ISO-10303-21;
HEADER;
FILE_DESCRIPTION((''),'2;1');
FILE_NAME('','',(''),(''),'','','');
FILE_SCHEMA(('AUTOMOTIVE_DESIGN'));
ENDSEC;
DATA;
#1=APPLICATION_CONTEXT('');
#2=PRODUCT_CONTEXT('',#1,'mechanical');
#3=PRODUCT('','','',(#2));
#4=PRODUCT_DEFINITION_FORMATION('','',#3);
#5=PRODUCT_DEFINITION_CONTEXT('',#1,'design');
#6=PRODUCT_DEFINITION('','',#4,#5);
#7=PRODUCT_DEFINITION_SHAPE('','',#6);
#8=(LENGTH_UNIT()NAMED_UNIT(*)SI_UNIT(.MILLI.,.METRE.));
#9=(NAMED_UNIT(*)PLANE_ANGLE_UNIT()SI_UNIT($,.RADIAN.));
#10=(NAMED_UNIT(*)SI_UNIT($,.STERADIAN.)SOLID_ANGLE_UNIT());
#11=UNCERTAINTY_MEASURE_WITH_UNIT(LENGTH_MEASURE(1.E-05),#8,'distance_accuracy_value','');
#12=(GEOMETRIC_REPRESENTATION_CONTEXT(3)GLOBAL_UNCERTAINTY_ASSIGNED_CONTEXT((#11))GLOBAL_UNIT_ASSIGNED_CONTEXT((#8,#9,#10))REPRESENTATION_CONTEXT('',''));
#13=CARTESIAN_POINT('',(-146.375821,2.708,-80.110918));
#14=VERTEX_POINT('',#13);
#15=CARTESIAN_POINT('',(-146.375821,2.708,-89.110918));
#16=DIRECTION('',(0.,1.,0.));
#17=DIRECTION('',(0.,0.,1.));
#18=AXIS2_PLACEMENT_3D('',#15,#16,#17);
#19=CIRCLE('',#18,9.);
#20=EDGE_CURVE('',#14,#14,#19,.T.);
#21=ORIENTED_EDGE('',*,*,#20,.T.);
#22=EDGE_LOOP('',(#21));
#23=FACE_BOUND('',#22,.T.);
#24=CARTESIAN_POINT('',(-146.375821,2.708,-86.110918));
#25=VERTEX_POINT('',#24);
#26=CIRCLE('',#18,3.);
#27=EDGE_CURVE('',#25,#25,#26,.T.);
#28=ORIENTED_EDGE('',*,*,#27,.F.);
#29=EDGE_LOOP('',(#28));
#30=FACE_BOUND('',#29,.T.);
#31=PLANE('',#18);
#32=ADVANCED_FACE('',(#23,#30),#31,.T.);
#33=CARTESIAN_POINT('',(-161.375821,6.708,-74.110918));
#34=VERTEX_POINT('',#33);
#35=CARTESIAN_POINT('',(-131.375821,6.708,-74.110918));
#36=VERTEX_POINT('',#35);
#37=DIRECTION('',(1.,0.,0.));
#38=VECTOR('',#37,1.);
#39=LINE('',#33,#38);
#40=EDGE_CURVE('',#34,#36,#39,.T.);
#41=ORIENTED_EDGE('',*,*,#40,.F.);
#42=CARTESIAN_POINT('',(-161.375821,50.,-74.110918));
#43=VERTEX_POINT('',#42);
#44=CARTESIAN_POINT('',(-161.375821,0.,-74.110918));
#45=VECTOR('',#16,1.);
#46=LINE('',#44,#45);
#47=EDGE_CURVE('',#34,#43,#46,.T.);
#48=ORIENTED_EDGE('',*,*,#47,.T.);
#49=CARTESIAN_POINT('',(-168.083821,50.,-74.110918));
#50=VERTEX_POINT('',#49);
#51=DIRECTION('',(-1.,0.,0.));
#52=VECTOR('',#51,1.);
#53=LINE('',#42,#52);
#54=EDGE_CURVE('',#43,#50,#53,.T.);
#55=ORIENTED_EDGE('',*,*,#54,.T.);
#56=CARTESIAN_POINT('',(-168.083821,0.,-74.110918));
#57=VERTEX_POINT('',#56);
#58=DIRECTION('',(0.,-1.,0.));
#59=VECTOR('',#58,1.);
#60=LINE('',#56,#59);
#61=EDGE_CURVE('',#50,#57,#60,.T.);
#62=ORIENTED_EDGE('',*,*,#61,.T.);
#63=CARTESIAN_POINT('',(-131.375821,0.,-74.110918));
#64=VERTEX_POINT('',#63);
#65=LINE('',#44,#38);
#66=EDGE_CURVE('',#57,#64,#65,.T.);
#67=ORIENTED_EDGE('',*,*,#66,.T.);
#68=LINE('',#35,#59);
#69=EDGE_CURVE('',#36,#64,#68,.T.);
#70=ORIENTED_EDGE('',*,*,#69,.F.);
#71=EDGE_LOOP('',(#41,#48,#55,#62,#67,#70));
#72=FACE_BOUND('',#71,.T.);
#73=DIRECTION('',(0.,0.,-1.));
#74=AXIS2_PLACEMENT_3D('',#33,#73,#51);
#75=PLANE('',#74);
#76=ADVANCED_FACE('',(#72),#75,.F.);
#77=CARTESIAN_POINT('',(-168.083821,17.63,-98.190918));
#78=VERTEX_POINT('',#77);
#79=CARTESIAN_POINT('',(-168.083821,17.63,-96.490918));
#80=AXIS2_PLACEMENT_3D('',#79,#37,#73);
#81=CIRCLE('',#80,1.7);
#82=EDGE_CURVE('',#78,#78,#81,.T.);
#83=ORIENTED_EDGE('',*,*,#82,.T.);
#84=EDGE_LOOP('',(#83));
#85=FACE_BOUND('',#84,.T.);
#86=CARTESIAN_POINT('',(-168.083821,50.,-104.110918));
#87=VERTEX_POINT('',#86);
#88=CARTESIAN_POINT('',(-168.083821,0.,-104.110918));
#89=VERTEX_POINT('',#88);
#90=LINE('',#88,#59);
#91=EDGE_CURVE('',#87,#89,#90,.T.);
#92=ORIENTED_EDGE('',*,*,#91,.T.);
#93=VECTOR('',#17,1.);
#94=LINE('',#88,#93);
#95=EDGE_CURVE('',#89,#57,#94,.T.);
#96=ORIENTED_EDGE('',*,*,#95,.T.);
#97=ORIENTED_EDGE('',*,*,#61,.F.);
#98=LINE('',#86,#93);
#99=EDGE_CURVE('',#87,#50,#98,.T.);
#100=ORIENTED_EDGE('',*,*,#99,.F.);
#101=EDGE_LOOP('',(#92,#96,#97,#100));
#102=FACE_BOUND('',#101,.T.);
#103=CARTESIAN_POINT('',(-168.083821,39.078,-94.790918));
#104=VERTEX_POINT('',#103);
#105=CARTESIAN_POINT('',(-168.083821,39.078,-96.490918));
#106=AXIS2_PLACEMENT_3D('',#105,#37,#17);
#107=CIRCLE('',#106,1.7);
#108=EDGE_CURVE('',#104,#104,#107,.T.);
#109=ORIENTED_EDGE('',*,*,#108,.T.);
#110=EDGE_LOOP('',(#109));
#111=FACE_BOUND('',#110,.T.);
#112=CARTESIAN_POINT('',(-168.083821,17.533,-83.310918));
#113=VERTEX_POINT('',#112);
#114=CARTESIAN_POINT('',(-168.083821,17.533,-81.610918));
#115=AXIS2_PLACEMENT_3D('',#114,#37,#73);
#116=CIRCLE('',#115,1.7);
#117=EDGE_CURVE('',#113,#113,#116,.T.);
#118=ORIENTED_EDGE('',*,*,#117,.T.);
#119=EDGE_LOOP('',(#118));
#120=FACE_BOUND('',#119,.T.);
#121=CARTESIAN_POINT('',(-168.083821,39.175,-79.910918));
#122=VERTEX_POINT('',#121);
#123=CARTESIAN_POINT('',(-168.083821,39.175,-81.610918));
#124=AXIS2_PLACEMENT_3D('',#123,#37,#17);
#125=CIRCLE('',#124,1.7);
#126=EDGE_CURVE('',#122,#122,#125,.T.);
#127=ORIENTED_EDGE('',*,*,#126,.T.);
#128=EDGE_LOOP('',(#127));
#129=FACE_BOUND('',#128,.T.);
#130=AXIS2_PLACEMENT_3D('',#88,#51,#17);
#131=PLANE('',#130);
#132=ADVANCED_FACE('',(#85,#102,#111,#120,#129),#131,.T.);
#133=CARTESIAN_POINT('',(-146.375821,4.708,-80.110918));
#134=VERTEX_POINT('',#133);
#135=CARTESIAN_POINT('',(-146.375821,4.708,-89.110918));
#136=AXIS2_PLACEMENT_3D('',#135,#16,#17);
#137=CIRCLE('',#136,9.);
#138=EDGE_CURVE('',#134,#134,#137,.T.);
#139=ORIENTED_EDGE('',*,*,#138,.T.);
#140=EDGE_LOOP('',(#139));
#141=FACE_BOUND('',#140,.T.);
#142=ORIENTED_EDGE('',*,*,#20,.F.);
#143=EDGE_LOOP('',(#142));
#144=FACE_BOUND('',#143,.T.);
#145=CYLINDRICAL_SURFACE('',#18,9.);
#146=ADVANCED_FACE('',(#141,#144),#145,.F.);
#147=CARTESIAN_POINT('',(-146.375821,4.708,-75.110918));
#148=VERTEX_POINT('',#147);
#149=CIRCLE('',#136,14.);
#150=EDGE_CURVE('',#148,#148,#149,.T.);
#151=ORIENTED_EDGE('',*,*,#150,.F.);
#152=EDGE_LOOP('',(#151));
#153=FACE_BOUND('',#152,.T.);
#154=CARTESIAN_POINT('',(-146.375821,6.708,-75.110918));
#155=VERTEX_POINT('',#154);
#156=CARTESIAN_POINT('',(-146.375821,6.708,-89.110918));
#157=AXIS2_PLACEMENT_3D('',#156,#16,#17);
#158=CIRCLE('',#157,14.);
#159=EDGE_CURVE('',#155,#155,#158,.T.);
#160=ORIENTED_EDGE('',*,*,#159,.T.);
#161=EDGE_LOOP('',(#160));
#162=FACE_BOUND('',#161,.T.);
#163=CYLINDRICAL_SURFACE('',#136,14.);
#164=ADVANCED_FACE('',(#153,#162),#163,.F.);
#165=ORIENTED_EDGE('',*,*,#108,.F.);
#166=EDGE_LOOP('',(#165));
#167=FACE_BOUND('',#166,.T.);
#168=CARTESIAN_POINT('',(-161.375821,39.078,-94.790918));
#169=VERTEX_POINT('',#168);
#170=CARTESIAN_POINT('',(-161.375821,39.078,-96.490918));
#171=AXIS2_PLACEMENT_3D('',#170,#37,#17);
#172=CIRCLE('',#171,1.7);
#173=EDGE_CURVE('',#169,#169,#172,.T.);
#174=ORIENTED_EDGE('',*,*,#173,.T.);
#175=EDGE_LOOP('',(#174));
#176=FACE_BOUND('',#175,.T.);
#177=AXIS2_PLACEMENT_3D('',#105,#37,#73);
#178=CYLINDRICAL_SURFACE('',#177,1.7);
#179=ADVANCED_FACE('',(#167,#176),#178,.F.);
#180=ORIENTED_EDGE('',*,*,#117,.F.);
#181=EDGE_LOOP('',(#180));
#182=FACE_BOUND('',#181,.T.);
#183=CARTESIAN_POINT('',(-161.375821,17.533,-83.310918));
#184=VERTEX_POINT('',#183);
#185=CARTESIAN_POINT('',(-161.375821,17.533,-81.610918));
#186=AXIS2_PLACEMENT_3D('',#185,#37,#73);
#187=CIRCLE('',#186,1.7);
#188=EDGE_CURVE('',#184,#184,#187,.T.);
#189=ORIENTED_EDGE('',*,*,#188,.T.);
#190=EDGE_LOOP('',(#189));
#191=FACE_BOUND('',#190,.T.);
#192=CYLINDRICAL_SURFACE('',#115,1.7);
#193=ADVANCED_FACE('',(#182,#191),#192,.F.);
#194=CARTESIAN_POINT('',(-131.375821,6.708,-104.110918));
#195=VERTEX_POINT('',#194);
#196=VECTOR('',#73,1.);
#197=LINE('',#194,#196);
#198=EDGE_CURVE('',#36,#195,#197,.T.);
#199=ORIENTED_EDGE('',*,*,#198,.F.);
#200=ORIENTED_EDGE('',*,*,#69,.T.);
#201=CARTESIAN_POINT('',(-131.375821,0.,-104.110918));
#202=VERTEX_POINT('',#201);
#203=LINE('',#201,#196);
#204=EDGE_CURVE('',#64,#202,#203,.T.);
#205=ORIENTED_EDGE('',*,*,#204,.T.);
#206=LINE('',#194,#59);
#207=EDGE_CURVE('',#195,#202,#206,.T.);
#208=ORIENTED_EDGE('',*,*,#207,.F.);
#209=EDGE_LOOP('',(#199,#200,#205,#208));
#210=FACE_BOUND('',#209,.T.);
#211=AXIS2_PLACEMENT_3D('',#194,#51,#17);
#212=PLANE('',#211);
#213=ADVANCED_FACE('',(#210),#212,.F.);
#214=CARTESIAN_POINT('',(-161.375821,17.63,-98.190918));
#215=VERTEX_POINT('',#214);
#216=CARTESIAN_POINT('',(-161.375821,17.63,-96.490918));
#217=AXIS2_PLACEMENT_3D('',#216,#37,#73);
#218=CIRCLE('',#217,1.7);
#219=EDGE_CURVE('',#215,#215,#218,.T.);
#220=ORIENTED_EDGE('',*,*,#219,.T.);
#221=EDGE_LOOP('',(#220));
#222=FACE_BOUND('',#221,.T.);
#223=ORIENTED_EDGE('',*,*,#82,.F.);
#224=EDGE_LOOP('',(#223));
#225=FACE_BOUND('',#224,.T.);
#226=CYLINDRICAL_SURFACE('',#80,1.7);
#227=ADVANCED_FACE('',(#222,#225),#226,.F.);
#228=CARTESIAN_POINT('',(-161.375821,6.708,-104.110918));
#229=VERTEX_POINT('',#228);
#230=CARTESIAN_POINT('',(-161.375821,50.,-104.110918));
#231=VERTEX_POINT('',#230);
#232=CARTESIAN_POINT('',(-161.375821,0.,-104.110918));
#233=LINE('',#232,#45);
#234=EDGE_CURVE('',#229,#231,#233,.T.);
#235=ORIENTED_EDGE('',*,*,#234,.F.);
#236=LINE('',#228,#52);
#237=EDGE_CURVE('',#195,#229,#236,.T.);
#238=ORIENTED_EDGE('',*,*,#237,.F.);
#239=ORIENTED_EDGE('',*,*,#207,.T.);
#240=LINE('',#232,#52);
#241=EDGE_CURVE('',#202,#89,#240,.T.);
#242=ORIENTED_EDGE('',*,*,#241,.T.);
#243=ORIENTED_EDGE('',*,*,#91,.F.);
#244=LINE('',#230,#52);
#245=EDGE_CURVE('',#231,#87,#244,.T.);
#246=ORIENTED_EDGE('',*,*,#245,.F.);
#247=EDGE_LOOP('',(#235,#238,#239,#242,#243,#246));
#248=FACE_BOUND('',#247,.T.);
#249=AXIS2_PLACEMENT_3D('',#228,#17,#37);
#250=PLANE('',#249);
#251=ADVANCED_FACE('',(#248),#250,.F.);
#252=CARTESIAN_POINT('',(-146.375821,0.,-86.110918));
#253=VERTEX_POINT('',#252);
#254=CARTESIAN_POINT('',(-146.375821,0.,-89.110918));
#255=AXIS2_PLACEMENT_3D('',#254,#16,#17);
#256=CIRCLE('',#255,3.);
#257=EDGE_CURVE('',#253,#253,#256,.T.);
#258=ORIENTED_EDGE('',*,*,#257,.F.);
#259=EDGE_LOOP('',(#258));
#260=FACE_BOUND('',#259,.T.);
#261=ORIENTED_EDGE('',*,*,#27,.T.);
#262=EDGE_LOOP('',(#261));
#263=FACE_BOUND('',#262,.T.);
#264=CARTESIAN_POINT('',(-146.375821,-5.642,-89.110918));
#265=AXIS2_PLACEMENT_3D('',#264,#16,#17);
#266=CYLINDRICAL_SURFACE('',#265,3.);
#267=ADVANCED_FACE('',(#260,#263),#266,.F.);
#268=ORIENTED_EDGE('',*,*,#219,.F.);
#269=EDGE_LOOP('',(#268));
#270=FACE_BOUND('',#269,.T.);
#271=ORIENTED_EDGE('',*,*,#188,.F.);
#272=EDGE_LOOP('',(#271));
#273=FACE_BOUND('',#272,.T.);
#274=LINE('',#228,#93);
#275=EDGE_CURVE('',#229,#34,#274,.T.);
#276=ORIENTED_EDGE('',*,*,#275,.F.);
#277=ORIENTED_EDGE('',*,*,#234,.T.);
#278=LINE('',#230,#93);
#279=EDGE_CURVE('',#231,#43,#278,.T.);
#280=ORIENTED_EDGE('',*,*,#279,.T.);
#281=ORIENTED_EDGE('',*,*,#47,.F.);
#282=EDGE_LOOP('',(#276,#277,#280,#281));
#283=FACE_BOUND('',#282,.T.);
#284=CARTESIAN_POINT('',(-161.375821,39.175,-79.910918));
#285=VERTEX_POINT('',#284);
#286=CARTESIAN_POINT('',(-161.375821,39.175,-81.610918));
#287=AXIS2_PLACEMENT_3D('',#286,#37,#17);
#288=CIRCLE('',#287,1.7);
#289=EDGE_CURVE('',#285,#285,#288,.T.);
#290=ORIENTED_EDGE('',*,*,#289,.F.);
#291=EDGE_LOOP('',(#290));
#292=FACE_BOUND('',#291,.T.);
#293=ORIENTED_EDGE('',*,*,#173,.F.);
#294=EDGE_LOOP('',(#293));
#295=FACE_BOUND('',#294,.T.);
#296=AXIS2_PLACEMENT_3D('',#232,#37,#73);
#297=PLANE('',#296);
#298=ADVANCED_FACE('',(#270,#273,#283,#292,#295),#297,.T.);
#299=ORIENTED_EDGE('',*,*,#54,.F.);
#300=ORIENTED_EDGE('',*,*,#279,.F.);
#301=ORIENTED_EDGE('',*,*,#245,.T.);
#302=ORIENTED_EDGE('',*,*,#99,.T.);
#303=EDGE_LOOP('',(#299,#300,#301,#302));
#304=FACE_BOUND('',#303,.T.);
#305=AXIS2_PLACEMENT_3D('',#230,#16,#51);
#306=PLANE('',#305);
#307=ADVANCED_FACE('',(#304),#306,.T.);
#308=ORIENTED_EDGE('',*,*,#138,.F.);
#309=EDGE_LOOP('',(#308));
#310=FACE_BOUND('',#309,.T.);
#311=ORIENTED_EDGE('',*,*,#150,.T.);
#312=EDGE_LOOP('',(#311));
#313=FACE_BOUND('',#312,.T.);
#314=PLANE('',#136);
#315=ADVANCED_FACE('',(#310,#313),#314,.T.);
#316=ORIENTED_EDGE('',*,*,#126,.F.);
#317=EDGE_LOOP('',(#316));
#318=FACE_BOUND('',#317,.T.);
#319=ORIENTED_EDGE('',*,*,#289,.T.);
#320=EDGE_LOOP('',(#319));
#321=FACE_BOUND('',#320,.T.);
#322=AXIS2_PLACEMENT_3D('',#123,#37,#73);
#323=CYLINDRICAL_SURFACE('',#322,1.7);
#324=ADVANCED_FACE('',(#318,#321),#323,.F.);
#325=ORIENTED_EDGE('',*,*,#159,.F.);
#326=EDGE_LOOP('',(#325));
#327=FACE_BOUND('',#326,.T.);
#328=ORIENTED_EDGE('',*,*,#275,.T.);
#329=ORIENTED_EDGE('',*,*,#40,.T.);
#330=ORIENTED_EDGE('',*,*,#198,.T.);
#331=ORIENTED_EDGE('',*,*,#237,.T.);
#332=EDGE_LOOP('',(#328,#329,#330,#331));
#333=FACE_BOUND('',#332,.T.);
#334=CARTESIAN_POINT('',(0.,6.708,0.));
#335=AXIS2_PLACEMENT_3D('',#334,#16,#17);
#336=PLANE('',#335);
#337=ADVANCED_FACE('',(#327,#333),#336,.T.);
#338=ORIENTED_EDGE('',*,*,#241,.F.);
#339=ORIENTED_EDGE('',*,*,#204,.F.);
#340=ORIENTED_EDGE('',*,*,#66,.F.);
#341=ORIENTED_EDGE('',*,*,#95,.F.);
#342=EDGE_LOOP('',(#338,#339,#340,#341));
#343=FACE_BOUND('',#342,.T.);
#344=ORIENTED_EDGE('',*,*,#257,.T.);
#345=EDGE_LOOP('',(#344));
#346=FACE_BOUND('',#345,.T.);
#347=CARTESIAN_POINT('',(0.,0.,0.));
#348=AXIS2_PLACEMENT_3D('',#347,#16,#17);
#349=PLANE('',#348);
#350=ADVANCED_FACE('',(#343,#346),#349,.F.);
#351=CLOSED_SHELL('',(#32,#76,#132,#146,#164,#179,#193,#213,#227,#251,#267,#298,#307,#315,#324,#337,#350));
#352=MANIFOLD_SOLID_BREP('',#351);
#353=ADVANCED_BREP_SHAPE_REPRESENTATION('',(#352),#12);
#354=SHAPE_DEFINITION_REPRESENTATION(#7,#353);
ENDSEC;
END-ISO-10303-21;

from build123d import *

# Parameters (mm, degrees)
SKETCH2_W           = 30
SKETCH2_H           = 30
BOSS_EXTRUDE1_DEPTH = 6.708
SKETCH5_R           = 14
CUT_EXTRUDE1_DEPTH  = 2
SKETCH13_R          = 9
CUT_EXTRUDE3_DEPTH  = 2
SKETCH15_R          = 3
CUT_EXTRUDE5_DEPTH  = 8.35
SKETCH16_W          = 6.708000046
SKETCH16_H          = 50
BOSS_EXTRUDE3_DEPTH = 30
SKETCH17_R          = 1.7
CUT_EXTRUDE7_DEPTH  = 6.708


with BuildPart() as part:
    # Sketch2 → Boss-Extrude1 (new body)
    with BuildSketch(Plane(origin=(0, 0, 0), x_dir=(1, 0, 0), z_dir=(0, 1, 0))):
        with Locations((-146.375821197, 89.110918047)):
            Rectangle(SKETCH2_W, SKETCH2_H)
    extrude(amount=BOSS_EXTRUDE1_DEPTH)

    # Sketch5 → Cut-Extrude1 (cut)
    with BuildSketch(Plane(origin=(0, 6.708, 0), x_dir=(1, 0, 0), z_dir=(0, 1, 0))):
        with Locations(Location((-146.375821197, 89.110918047, 0), (0, 0, 270))):
            Circle(SKETCH5_R)
    extrude(amount=-CUT_EXTRUDE1_DEPTH, mode=Mode.SUBTRACT)

    # Sketch13 → Cut-Extrude3 (cut)
    with BuildSketch(Plane(origin=(0, 4.708, 0), x_dir=(1, 0, 0), z_dir=(0, 1, 0))):
        with Locations(Location((-146.375821197, 89.110918047, 0), (0, 0, 270))):
            Circle(SKETCH13_R)
    extrude(amount=-CUT_EXTRUDE3_DEPTH, mode=Mode.SUBTRACT)

    # Sketch15 → Cut-Extrude5 (cut)
    with BuildSketch(Plane(origin=(0, 2.708, 0), x_dir=(1, 0, 0), z_dir=(0, 1, 0))):
        with Locations(Location((-146.375821197, 89.110918047, 0), (0, 0, 270))):
            Circle(SKETCH15_R)
    extrude(amount=-CUT_EXTRUDE5_DEPTH, mode=Mode.SUBTRACT)

    # Sketch16 → Boss-Extrude3 (add)
    with BuildSketch(Plane.XY.offset(-74.110918047)):
        with Locations((-164.72982122, 25)):
            Rectangle(SKETCH16_W, SKETCH16_H)
    extrude(amount=-BOSS_EXTRUDE3_DEPTH)

    # Sketch17 → Cut-Extrude7 (cut)
    with BuildSketch(Plane(origin=(-161.375821197, 0, 0), x_dir=(0, 0, -1), z_dir=(1, 0, 0))):
        with Locations((81.610918047, 17.533)):
            Circle(SKETCH17_R)
        with Locations((96.490918047, 17.63)):
            Circle(SKETCH17_R)
        with Locations(Location((96.490918047, 39.078, 0), (0, 0, 180))):
            Circle(SKETCH17_R)
        with Locations(Location((81.610918047, 39.175, 0), (0, 0, 180))):
            Circle(SKETCH17_R)
    extrude(amount=-CUT_EXTRUDE7_DEPTH, mode=Mode.SUBTRACT)


solid = part.part
